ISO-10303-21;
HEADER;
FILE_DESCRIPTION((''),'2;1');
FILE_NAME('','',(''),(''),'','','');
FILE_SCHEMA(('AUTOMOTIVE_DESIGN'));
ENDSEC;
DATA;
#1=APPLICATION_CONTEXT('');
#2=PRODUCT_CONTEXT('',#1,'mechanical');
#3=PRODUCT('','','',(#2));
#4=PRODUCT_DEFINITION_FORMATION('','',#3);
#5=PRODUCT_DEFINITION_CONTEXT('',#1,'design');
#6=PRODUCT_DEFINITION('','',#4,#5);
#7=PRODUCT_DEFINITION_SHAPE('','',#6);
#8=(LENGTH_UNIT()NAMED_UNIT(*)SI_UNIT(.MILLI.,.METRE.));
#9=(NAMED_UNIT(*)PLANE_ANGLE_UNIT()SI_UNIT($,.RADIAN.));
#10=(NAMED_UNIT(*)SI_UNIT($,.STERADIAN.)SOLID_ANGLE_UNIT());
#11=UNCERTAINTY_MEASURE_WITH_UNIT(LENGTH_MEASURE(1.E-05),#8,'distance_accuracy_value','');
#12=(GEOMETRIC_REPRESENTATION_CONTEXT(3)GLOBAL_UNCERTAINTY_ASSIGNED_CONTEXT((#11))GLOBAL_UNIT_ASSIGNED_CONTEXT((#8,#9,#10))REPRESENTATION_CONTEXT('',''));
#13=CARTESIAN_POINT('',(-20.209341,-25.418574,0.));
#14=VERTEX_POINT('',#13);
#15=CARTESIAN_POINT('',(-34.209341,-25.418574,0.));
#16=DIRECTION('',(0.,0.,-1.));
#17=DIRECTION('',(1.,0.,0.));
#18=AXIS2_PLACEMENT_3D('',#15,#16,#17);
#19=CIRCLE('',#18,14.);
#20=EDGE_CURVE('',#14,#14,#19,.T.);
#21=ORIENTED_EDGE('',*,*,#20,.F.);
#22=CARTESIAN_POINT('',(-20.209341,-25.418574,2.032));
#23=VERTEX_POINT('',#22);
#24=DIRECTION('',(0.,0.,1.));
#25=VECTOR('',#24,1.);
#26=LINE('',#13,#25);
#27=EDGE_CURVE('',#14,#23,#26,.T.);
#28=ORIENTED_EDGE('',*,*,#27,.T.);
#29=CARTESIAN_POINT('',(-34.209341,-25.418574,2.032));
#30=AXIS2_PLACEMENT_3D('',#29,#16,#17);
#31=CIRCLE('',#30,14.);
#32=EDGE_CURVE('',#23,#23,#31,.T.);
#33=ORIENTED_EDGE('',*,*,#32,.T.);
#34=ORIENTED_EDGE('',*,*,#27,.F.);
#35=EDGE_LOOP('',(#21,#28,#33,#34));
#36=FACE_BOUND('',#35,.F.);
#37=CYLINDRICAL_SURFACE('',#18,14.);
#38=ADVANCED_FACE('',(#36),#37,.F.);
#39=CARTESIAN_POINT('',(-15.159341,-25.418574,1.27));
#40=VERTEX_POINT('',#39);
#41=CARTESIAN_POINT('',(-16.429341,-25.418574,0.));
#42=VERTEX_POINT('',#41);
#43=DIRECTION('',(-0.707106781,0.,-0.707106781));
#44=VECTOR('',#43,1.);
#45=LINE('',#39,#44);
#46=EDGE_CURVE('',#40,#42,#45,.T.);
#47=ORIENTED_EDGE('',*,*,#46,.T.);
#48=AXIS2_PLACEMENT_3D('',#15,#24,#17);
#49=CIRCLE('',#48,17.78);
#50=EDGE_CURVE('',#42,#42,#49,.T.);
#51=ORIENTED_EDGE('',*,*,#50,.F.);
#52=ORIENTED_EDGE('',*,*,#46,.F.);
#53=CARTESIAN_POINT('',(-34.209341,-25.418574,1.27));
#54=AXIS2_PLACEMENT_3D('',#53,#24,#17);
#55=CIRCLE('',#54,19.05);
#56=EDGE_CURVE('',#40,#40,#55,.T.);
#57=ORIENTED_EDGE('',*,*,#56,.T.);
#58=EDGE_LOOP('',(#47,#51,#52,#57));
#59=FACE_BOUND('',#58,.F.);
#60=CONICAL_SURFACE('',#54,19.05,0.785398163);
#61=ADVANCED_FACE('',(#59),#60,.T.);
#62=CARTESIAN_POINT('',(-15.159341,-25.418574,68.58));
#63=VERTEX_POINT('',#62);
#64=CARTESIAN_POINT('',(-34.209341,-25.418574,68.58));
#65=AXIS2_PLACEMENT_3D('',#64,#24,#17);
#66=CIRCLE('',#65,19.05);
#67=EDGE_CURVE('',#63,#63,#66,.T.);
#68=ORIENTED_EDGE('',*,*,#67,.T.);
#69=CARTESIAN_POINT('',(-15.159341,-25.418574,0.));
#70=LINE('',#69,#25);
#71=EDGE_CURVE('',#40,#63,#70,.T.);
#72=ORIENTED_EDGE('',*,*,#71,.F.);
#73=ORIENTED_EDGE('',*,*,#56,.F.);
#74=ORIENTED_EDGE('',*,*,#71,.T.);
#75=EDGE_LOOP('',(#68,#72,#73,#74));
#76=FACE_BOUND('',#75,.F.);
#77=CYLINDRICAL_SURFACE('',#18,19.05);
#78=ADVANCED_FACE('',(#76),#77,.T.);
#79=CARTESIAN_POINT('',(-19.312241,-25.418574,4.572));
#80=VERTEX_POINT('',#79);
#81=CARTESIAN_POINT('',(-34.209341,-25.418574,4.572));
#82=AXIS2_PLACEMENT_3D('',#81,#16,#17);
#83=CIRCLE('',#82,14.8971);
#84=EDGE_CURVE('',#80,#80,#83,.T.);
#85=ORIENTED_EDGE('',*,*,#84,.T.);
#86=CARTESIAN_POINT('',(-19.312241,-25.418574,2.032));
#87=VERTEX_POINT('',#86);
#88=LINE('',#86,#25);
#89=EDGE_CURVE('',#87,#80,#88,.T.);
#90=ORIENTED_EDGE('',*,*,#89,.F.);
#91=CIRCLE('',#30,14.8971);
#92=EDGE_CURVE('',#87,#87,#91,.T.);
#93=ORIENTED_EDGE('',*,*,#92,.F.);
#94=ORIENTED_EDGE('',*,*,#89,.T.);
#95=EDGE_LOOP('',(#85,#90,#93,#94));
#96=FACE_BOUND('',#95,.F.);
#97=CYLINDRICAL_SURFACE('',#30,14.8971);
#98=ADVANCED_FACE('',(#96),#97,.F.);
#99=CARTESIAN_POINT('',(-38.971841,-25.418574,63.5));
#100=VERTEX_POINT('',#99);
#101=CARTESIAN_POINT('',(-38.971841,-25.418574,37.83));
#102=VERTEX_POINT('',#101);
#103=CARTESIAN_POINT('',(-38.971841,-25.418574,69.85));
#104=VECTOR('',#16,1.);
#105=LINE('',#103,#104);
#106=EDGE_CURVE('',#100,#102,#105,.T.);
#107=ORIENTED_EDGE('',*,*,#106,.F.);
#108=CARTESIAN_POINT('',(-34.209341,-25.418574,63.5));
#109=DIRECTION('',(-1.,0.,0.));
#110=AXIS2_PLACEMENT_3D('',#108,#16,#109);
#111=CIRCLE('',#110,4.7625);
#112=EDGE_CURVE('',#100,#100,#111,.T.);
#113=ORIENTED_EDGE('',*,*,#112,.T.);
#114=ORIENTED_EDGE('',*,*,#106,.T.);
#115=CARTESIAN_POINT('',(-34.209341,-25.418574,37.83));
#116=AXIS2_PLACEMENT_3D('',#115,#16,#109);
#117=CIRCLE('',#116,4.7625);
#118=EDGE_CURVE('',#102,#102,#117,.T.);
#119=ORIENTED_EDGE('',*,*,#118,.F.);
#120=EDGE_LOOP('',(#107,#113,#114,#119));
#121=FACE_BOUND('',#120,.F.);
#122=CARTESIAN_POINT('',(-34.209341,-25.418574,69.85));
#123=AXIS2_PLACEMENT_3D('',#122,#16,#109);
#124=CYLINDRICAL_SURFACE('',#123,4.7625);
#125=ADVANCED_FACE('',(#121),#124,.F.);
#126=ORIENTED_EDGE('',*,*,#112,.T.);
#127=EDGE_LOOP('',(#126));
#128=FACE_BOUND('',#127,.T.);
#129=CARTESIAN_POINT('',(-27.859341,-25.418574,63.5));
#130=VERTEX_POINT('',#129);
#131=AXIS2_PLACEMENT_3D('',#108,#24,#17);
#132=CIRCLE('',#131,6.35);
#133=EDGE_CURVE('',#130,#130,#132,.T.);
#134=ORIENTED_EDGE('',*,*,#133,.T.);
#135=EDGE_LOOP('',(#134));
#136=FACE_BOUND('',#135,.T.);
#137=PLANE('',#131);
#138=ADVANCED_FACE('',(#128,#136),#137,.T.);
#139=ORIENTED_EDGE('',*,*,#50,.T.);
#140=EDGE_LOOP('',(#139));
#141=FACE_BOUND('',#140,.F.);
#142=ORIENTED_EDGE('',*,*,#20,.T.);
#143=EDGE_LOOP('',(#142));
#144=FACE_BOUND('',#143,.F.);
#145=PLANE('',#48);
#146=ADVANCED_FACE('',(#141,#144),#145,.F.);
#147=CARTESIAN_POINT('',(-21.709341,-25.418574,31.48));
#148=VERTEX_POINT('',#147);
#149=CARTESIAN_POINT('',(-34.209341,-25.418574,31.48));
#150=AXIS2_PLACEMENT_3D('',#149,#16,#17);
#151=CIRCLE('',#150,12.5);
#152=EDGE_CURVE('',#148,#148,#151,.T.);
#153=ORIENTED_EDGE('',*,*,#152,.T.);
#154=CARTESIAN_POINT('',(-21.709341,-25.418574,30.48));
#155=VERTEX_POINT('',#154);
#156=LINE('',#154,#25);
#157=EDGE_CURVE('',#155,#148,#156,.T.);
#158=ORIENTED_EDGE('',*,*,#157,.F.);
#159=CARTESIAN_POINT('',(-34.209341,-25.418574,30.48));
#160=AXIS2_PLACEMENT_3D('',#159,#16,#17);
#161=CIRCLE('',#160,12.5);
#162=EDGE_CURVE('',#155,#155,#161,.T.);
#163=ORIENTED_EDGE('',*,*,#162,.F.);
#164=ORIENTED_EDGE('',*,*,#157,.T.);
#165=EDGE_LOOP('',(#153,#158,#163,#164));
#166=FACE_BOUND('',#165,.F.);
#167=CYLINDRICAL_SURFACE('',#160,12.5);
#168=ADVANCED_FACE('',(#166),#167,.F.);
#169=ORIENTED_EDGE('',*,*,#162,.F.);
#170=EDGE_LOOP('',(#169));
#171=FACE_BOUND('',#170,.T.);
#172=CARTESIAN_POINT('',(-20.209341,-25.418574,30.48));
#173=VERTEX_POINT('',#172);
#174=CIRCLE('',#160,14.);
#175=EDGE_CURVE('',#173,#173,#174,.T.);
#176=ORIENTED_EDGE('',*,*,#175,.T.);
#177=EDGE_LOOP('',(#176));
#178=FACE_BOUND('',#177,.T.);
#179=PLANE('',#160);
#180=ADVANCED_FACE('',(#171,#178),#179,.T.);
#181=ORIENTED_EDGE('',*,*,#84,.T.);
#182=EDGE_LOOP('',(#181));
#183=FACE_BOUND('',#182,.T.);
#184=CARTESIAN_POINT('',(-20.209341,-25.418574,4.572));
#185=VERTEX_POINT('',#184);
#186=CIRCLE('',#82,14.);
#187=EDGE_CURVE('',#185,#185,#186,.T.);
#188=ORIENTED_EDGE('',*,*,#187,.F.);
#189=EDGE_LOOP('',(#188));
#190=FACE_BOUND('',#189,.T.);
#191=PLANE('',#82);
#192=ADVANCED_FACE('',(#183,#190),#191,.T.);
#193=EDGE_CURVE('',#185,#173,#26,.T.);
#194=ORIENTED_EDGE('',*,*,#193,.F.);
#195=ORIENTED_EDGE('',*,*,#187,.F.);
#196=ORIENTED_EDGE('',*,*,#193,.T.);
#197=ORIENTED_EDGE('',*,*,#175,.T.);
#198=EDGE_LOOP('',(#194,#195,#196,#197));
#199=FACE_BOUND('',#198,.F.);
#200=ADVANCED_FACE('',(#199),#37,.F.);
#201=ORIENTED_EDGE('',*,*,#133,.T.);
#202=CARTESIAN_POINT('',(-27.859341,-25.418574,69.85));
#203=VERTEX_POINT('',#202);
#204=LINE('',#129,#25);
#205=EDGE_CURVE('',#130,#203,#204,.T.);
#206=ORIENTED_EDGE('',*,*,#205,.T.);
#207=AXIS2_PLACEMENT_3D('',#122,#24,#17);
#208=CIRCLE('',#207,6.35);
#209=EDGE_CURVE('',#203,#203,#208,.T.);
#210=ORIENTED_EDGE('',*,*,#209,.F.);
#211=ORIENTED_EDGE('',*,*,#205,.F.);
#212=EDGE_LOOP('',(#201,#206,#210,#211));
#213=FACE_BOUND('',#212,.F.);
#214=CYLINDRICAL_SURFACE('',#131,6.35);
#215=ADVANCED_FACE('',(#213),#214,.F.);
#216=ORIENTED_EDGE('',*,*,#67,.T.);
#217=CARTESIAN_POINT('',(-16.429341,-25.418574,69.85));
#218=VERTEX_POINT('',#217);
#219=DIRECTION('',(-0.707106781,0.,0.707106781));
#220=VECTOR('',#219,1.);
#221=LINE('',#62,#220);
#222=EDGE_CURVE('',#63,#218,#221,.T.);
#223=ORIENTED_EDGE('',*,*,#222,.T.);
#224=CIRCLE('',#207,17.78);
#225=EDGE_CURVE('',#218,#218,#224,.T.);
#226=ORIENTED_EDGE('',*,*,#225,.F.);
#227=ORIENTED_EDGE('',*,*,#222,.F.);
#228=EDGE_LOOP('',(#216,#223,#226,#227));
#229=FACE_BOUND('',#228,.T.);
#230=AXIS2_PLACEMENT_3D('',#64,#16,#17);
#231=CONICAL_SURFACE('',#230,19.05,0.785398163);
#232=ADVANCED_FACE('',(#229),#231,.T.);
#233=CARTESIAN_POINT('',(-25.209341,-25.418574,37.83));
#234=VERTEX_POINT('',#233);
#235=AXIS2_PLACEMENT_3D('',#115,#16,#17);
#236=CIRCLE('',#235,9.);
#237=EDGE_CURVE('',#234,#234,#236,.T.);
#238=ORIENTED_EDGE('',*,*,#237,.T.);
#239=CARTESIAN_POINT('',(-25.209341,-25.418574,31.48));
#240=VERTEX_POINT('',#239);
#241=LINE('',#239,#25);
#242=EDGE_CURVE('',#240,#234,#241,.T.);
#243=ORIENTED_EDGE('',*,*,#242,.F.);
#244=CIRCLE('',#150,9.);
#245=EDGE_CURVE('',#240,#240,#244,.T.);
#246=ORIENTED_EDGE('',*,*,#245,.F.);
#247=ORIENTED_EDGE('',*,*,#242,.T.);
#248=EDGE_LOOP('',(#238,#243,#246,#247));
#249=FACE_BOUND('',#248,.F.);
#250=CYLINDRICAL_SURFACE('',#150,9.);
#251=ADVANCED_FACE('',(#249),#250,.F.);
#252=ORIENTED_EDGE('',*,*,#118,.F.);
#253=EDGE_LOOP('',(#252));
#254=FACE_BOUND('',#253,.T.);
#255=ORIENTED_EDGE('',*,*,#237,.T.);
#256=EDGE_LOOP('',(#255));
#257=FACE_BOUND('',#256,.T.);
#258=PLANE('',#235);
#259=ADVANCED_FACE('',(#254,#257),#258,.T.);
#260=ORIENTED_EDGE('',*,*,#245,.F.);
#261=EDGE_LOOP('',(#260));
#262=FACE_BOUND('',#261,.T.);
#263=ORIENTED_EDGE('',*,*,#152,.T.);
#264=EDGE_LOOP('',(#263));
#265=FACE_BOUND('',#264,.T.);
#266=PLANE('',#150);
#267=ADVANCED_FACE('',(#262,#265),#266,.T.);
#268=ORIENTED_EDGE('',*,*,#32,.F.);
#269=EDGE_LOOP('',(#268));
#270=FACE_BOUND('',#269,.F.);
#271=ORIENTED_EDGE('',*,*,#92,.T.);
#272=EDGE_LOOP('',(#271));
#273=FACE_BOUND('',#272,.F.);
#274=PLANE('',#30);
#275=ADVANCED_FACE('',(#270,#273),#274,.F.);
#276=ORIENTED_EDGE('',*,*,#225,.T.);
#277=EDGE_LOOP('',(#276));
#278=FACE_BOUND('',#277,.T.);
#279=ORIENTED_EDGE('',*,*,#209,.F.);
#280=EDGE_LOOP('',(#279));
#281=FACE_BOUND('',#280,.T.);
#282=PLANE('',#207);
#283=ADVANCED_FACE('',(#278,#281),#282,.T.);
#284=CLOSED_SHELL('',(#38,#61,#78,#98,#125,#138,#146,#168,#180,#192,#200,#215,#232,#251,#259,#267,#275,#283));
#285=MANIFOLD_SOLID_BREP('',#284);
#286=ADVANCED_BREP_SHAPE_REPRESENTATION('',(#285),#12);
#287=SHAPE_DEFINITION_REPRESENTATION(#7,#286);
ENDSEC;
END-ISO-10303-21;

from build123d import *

# Parameters (mm, degrees)
F0_R           = 19.05
F1_DEPTH       = 69.85
F2_R           = 14
F3_DEPTH       = 30.48
F4_R           = 12.5
F5_DEPTH       = 1
F7_D           = 9.525
F7_CBORE_D     = 12.7
F7_CBORE_DEPTH = 6.35
F8_R           = 9
F9_DEPTH       = 6.35
F11_R          = 14.8971
F11_R_2        = 14
F12_DEPTH      = 2.54
F13_SIZE       = 1.27


with BuildPart() as f1:
    # F0 (on Top) → F1 (new body)
    with BuildSketch(Plane.XY):
        with Locations((-34.2093408108, -25.4185739905)):
            Circle(F0_R)
    extrude(amount=F1_DEPTH)

    # F2 (on face) → F3 (cut)
    with BuildSketch(Plane(origin=(0, 0, 0), x_dir=(1, 0, 0), z_dir=(0, 0, -1))):
        with Locations((-34.2093408108, 25.4185739905)):
            Circle(F2_R)
    extrude(amount=-F3_DEPTH, mode=Mode.SUBTRACT)

    # F4 (on face) → F5 (cut)
    with BuildSketch(Plane(origin=(0, 0, 30.48), x_dir=(1, 0, 0), z_dir=(0, 0, -1))):
        with Locations((-34.2093408108, 25.4185739905)):
            Circle(F4_R)
    extrude(amount=-F5_DEPTH, mode=Mode.SUBTRACT)

    # F7 (through all)
    with Locations(Plane.XY.offset(69.85)):
        with Locations((-34.2093408108, -25.4185739905)):
            CounterBoreHole(F7_D / 2, F7_CBORE_D / 2, F7_CBORE_DEPTH)

    # F8 (on face) → F9 (cut)
    with BuildSketch(Plane(origin=(0, 0, 31.48), x_dir=(1, 0, 0), z_dir=(0, 0, -1))):
        with Locations((-34.2093408108, 25.4185739905)):
            Circle(F8_R)
    extrude(amount=-F9_DEPTH, mode=Mode.SUBTRACT)

    # F11 (on offset) → F12 (cut)
    with BuildSketch(Plane(origin=(0, 0, 2.032), x_dir=(1, 0, 0), z_dir=(0, 0, -1))):
        with Locations((-34.2093408108, 25.4185739905)):
            Circle(F11_R)
        with Locations((-34.2093408108, 25.4185739905)):
            Circle(F11_R_2, mode=Mode.SUBTRACT)
    extrude(amount=-F12_DEPTH, mode=Mode.SUBTRACT)

    # F13
    f13_edges = [f1.edges().sort_by_distance(p)[0] for p in [
        (-53.259341, -25.418574, 69.85),
        (-53.259341, -25.418574, 0),
    ]]
    chamfer(f13_edges, length=F13_SIZE)


solid = f1.part
